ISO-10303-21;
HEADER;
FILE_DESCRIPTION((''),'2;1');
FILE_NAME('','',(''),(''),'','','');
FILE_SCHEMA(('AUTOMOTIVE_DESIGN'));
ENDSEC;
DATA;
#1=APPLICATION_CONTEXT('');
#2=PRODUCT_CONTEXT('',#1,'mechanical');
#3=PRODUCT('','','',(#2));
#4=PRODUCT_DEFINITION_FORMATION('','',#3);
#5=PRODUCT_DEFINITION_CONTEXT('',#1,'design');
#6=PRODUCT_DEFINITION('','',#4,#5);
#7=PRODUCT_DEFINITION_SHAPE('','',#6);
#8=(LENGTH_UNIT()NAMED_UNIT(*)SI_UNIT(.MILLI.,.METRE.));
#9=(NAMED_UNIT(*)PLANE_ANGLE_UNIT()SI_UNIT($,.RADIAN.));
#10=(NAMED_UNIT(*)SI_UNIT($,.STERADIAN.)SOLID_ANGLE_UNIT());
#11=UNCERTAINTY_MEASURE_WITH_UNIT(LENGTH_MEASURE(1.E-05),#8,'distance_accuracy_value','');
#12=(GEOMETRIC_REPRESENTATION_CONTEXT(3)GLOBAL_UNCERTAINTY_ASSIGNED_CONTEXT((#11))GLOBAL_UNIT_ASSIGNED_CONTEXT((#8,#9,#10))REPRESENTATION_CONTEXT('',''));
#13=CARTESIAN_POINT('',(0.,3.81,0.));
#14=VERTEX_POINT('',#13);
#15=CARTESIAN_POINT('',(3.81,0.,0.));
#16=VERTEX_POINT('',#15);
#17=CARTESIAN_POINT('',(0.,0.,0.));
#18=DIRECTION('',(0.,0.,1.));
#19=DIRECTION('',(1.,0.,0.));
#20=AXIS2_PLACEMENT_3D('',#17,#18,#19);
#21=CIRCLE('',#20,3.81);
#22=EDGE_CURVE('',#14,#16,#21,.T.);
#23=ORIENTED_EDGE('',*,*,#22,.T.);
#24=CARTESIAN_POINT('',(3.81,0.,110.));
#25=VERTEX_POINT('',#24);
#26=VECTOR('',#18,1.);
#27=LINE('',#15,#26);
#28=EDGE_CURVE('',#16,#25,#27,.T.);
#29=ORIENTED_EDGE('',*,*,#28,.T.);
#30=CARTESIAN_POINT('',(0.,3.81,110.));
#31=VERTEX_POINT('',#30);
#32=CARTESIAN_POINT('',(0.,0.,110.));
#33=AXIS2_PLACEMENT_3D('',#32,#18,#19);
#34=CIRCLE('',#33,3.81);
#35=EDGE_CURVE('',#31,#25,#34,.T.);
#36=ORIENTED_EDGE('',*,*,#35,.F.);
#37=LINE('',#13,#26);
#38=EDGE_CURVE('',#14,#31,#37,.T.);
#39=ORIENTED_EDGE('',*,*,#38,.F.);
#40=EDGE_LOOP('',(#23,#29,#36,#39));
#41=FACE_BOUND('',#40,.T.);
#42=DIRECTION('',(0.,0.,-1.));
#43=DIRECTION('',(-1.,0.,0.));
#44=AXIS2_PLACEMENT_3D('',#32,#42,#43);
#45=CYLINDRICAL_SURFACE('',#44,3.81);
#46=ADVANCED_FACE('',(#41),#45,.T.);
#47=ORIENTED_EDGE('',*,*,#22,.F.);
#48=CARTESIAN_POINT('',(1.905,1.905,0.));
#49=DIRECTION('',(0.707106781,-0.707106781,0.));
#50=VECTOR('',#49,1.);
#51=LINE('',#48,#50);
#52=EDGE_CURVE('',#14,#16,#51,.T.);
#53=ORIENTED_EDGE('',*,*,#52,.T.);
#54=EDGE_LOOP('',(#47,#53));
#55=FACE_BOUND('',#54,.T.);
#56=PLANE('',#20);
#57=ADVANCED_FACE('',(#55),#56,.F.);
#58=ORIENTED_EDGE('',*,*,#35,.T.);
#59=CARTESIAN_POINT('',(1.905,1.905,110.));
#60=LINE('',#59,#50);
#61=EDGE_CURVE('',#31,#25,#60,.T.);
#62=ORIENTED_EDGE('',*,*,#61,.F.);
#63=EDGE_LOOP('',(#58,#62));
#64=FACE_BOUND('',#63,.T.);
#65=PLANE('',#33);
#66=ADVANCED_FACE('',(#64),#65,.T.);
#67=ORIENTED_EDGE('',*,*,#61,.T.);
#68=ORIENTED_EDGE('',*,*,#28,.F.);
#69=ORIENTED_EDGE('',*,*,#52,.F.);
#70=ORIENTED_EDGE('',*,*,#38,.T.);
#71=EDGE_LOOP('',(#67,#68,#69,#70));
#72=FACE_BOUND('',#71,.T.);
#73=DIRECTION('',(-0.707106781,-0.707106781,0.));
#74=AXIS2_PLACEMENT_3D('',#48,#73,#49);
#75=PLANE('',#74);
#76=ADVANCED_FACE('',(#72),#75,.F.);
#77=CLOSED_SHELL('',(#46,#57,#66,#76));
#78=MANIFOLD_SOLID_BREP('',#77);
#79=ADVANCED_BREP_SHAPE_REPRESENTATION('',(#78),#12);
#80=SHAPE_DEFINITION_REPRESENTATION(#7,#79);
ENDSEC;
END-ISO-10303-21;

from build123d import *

# Parameters (mm, degrees)
SKETCH1_R           = 3.81
BOSS_EXTRUDE1_DEPTH = 110
CUT_EXTRUDE1_DEPTH  = 111.131885483


with BuildPart() as part:
    # Sketch1 → Boss-Extrude1 (new body)
    with BuildSketch(Plane.XY):
        Circle(SKETCH1_R)
    extrude(amount=BOSS_EXTRUDE1_DEPTH)

    # Sketch2 → Cut-Extrude1 (cut, through all)
    with BuildSketch(Plane.XY.offset(110)):
        Polygon((-19.119345697, 22.929345697), (0, 3.81), (3.81, 0), (22.929345697, -19.119345697), (61.168037091, 19.119345697), (19.119345697, 61.168037091), align=None)
    extrude(amount=-CUT_EXTRUDE1_DEPTH, mode=Mode.SUBTRACT)


solid = part.part
